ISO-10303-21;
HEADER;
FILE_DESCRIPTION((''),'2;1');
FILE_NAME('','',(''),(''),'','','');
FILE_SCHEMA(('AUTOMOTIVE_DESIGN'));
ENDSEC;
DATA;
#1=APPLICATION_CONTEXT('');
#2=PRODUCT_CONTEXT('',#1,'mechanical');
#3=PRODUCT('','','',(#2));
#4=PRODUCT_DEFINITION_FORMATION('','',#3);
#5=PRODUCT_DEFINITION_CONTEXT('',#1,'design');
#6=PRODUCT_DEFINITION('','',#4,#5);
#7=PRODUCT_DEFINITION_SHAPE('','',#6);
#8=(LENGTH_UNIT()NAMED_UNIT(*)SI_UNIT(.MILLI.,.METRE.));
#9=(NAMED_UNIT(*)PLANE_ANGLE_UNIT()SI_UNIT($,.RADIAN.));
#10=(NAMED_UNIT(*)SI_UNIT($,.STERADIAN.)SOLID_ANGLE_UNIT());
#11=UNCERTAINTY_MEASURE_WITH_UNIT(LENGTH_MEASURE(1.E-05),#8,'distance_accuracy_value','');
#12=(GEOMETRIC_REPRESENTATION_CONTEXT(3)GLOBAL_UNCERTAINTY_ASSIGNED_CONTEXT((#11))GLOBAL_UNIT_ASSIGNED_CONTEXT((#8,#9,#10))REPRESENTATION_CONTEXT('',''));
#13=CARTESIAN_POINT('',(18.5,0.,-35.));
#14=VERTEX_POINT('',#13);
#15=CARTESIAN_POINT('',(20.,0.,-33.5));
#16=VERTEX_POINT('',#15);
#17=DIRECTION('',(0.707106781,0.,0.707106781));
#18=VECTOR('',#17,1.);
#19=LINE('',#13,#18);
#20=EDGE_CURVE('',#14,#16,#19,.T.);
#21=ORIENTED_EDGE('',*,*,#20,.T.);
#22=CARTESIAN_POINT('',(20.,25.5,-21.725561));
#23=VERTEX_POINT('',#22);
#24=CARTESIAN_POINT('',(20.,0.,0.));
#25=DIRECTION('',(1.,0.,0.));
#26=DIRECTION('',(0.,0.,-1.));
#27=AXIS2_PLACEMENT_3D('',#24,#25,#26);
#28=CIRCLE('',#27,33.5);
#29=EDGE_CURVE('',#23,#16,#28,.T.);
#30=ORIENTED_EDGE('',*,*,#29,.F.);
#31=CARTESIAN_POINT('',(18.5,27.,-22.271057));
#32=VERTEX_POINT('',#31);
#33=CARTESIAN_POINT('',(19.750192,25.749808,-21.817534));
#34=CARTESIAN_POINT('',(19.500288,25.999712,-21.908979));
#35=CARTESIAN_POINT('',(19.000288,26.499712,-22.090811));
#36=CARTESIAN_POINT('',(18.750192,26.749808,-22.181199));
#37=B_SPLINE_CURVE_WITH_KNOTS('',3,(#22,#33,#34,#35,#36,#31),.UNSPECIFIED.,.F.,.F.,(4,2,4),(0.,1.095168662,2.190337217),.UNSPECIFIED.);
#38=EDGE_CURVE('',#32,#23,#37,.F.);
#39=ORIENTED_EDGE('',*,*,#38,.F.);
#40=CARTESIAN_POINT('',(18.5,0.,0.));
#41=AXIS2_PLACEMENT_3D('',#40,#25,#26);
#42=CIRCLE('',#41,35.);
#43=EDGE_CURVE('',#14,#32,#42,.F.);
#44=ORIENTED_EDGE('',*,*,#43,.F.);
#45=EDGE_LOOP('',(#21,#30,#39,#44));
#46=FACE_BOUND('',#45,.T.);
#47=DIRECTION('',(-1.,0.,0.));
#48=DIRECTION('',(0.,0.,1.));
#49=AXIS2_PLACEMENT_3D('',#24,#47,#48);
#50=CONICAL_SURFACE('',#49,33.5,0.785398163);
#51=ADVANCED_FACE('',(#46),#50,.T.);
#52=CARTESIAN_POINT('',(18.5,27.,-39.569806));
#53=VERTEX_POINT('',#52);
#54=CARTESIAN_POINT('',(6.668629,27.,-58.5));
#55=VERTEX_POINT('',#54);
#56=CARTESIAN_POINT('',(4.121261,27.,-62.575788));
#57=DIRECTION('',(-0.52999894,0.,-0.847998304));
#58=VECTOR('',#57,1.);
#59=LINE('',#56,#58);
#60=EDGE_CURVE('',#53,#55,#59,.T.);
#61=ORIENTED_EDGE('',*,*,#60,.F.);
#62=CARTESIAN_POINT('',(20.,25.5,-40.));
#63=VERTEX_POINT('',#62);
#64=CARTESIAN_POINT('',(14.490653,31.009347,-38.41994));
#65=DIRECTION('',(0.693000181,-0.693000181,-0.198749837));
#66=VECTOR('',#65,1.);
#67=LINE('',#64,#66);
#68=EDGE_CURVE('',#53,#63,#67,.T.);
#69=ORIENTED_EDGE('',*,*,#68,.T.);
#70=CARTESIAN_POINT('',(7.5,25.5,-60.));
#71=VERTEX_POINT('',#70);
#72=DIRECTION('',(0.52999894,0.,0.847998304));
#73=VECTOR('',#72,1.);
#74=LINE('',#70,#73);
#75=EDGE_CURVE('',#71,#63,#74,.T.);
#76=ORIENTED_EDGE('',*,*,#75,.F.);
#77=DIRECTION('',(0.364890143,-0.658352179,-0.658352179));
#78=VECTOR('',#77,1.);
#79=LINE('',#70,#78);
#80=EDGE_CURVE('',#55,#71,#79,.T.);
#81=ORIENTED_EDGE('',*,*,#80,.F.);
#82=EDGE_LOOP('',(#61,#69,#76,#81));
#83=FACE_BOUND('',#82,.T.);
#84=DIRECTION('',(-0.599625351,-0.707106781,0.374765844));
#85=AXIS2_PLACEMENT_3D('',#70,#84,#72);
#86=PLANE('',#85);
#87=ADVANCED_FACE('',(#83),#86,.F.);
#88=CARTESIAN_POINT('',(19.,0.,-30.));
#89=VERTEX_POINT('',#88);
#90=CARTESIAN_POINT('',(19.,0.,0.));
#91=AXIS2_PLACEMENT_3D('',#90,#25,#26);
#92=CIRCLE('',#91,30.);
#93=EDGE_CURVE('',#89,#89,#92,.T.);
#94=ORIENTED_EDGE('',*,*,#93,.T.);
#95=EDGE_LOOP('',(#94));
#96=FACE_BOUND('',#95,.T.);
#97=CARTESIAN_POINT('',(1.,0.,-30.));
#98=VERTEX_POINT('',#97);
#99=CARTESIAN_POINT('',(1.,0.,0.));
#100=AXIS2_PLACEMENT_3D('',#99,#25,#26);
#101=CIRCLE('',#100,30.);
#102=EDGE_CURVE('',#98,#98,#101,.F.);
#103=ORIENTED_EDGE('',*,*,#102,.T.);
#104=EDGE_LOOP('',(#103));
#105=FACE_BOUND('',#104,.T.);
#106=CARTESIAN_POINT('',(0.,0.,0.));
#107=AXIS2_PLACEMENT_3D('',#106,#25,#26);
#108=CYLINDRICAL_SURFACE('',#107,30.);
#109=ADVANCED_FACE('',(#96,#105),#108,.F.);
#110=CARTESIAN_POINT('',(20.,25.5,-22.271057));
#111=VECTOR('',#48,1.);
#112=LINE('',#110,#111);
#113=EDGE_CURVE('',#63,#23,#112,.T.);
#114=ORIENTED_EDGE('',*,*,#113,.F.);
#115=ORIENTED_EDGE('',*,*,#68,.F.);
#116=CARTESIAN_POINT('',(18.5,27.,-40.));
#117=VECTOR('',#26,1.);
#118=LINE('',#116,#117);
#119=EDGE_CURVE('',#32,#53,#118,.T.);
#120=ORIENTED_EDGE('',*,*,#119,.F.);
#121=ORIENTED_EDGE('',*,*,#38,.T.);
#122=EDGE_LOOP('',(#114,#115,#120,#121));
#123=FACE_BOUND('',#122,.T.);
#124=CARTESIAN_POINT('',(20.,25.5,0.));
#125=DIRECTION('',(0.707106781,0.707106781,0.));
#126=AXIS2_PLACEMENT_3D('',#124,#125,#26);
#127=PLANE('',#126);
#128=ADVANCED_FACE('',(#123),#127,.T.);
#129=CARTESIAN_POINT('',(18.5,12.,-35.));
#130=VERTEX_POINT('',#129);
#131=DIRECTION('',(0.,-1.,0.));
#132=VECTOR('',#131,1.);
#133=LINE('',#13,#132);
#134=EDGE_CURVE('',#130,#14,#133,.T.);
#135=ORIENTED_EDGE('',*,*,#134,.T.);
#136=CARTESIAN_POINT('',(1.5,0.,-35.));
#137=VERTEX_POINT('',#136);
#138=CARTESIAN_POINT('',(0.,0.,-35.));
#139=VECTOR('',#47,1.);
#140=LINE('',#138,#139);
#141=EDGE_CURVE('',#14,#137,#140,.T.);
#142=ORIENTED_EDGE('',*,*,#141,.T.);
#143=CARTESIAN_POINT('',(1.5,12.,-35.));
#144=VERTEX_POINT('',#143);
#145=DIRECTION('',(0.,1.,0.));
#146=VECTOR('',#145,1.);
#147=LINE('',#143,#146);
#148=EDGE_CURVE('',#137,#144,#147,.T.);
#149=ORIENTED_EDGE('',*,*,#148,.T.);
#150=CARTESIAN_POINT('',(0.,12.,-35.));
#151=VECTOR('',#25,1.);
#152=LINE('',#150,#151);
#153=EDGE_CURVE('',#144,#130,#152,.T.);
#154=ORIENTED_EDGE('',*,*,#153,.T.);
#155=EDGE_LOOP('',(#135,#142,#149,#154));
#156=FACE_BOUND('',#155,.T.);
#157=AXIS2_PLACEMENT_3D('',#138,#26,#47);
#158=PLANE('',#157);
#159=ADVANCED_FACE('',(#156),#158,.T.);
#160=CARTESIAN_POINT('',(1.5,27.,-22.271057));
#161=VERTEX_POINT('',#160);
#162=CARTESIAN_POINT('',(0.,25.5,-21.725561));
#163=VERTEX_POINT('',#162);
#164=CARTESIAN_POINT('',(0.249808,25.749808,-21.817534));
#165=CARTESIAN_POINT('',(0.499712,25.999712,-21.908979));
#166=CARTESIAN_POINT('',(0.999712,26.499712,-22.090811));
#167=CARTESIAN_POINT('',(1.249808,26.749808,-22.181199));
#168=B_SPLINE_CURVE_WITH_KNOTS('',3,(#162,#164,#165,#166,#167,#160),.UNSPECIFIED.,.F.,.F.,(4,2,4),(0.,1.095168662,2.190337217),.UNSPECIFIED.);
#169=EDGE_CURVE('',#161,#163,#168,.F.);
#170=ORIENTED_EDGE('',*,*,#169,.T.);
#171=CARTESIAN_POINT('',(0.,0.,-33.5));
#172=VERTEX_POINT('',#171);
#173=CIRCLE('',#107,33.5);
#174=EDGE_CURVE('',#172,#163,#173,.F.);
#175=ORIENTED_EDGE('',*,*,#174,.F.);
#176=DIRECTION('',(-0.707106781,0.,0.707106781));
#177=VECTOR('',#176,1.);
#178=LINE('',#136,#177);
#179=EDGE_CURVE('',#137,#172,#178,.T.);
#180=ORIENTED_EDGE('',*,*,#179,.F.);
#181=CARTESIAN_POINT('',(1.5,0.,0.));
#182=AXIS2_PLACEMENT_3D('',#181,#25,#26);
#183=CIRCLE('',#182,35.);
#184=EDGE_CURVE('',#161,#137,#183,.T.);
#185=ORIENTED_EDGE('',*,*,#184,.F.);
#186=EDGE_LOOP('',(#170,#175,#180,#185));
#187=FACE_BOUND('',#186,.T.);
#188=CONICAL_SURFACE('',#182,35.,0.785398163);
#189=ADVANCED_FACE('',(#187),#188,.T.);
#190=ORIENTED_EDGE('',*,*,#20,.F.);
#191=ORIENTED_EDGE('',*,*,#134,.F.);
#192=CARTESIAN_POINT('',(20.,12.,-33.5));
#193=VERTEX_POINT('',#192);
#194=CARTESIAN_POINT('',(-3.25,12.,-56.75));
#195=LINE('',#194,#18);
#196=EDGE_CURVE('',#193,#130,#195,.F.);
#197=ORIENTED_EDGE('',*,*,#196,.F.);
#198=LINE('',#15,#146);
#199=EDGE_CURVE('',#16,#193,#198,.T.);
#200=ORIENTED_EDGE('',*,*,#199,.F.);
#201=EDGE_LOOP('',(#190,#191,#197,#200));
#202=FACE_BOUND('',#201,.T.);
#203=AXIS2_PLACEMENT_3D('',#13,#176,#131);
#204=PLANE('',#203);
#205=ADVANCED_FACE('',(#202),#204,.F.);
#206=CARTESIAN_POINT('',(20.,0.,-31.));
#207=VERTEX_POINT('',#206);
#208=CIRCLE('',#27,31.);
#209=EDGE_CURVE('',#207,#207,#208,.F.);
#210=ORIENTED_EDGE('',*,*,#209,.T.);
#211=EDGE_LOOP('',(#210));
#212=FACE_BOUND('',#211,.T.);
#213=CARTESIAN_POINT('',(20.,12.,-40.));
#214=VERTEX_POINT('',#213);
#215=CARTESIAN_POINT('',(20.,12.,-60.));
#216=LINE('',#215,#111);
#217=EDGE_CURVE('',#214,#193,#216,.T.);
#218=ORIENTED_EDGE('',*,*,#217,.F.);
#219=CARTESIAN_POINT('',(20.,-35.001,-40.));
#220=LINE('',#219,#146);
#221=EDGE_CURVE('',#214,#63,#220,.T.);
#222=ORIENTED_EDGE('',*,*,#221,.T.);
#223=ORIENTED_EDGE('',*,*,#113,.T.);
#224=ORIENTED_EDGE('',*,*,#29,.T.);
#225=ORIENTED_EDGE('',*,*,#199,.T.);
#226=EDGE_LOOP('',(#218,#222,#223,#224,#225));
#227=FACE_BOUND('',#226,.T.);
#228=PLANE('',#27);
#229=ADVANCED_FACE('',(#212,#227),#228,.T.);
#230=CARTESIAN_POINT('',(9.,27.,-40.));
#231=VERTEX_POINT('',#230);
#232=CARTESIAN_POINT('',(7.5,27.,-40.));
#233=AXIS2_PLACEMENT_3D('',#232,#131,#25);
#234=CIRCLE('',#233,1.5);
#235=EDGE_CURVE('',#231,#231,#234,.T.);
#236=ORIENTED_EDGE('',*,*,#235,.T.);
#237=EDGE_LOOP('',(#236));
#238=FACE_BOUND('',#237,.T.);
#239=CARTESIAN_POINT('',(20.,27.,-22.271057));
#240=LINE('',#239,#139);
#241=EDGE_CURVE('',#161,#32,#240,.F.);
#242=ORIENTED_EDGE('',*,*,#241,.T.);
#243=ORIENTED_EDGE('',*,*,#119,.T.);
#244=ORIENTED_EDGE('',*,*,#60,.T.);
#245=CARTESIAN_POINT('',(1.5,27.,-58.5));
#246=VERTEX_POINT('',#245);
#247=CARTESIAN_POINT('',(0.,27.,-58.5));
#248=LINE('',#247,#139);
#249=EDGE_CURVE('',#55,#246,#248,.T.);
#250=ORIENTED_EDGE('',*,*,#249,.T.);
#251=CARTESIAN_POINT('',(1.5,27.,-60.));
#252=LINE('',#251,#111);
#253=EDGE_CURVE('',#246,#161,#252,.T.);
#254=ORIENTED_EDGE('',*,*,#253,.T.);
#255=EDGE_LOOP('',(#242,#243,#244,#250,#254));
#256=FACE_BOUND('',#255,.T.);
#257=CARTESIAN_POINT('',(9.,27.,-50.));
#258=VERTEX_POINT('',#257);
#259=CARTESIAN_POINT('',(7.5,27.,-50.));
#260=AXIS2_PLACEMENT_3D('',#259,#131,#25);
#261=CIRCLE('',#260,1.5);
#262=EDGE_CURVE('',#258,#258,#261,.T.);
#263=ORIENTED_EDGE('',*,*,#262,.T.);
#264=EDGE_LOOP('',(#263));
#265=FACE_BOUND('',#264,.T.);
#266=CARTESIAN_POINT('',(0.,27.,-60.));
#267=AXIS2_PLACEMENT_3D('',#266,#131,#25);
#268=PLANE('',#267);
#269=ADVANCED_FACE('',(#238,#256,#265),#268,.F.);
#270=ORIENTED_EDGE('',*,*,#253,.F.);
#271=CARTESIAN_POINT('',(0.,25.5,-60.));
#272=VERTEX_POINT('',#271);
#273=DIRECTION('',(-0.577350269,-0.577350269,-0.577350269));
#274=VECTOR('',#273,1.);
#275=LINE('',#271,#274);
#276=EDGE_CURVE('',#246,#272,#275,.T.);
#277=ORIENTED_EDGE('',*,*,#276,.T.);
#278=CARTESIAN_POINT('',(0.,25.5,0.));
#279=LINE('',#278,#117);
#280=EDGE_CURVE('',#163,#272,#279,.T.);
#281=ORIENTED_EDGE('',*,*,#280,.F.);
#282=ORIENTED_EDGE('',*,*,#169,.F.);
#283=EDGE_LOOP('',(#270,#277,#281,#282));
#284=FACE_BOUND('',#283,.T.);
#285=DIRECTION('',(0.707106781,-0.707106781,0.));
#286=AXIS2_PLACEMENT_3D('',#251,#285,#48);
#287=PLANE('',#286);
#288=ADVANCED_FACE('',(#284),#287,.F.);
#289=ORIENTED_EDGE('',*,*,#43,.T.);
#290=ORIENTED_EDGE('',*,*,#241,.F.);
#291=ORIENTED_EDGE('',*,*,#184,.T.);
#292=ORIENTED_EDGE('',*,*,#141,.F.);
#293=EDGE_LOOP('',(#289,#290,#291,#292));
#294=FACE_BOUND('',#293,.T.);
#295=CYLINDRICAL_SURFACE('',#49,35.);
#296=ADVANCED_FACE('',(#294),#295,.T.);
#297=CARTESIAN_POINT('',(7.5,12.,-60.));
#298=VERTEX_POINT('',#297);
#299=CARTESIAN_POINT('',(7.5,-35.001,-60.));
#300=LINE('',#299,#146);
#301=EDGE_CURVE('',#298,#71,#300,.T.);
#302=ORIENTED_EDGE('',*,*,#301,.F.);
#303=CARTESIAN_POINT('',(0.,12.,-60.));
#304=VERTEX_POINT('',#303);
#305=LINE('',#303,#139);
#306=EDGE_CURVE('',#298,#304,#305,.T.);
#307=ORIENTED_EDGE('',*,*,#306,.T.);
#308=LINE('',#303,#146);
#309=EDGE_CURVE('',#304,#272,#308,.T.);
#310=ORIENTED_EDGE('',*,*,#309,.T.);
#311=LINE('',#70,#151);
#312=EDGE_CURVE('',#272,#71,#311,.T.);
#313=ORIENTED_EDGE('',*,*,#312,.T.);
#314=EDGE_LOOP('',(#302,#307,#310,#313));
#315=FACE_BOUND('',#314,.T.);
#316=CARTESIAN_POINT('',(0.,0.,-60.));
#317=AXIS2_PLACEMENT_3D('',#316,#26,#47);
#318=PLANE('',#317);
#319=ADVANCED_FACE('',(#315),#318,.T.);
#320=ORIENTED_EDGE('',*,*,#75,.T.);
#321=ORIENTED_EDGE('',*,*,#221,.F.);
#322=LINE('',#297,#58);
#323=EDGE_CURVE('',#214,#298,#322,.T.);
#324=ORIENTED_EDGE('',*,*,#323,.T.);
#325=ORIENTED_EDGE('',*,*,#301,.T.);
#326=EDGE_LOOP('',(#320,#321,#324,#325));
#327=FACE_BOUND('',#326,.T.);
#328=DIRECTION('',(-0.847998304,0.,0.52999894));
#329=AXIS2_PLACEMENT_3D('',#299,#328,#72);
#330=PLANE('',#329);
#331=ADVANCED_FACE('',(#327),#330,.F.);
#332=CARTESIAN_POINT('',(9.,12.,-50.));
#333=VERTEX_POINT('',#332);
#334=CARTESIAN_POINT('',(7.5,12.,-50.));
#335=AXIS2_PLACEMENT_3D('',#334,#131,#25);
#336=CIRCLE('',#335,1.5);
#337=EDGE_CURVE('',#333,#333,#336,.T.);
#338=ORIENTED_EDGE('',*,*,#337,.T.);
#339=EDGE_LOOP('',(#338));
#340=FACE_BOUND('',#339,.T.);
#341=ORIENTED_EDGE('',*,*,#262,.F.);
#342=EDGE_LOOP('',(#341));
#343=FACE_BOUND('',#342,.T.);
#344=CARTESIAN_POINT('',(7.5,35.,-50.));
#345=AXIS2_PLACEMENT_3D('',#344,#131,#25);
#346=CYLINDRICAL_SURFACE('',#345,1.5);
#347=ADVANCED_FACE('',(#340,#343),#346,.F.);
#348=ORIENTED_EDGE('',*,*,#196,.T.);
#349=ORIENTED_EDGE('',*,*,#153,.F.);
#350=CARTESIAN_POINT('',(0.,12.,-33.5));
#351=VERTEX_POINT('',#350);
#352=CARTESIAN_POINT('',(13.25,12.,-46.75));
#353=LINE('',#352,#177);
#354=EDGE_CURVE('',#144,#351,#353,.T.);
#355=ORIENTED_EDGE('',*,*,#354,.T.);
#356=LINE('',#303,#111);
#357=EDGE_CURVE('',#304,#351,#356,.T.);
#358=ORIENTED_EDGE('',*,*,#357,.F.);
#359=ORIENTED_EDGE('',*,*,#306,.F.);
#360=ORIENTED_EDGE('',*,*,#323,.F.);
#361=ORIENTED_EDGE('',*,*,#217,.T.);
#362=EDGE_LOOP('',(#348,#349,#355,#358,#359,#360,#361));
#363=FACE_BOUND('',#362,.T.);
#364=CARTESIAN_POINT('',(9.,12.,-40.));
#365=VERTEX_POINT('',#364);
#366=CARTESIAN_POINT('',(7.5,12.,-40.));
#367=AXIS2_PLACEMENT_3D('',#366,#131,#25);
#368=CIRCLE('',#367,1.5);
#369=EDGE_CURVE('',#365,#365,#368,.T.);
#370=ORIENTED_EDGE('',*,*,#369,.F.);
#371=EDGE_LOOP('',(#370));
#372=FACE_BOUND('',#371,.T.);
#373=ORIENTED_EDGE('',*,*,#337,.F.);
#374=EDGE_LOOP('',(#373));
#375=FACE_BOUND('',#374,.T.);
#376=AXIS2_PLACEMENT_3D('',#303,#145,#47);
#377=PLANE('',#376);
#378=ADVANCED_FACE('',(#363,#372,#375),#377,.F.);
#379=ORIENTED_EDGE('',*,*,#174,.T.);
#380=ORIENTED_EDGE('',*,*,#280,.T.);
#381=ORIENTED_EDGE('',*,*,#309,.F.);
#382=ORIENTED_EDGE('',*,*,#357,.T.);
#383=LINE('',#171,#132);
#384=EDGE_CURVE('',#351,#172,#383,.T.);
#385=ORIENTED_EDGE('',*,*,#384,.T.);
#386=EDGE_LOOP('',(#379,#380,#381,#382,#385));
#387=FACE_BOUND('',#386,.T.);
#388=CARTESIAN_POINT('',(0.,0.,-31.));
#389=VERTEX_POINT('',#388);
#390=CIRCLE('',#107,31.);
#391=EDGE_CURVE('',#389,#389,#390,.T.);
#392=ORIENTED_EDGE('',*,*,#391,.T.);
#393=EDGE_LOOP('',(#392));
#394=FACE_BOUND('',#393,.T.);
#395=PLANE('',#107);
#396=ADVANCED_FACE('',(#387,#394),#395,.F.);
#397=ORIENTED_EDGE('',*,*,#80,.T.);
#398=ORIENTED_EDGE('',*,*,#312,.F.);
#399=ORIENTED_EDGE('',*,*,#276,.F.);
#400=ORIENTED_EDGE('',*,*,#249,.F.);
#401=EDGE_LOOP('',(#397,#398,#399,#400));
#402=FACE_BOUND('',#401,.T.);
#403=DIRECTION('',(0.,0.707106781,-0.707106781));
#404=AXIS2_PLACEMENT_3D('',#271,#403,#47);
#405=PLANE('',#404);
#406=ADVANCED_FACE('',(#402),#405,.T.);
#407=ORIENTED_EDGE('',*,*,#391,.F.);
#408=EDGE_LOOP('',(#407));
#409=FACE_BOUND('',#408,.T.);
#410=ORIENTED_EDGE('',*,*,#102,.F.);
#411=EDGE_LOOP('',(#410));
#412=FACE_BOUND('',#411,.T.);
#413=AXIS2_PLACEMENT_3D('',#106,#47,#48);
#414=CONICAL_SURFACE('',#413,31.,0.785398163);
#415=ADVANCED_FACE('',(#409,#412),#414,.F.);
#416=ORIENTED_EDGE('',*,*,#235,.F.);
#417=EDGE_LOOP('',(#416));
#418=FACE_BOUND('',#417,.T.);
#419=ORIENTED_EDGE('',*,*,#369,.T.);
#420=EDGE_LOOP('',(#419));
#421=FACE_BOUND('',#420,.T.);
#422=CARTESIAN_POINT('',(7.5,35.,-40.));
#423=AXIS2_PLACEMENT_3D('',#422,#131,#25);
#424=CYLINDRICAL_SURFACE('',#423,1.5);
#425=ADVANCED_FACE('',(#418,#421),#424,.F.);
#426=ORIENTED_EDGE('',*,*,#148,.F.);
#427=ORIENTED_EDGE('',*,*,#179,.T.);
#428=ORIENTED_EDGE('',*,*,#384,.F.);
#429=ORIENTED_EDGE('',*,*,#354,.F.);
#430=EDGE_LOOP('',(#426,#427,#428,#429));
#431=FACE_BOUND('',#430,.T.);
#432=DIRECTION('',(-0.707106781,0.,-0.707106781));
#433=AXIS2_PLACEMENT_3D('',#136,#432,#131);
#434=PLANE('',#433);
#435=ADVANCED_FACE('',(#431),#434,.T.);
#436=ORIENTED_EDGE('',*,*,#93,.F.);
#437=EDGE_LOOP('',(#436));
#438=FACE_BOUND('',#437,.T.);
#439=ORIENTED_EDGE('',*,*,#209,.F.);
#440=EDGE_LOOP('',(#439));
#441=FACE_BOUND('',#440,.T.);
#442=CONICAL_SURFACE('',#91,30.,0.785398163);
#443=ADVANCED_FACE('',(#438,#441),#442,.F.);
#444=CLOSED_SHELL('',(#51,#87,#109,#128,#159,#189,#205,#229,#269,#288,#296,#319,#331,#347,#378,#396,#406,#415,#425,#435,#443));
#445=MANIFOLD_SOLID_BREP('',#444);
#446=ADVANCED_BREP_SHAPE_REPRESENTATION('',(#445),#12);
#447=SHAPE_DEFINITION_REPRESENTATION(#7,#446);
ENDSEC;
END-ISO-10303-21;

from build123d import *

# Parameters (mm, degrees)
SKETCH_1_R          = 35
EXTRUDE_1_DEPTH     = 20
SKETCH_2_R          = 30
CUT_EXTRUDE_1_DEPTH = 54.38539126
SKETCH_3_W          = 20
SKETCH_3_H          = 15
EXTRUDE_2_DEPTH     = 25
EXTRUDE_3_REACH     = 82.777
SKETCH_4_W          = 20
SKETCH_4_H          = 12
SKETCH_5_R          = 30
CUT_EXTRUDE_2_DEPTH = 73.284161474
CUT_EXTRUDE_3_REACH = 90.566
SKETCH_8_R          = 1.5
CUT_EXTRUDE_4_DEPTH = 79.797208072
CHAMFER_1_SIZE      = 1
CHAMFER_2_SIZE      = 1.5


with BuildPart() as part:
    # 草图1 → 凸台-拉伸1 (new body)
    with BuildSketch(Plane(origin=(0, 0, 0), x_dir=(0, 0, -1), z_dir=(1, 0, 0))):
        Circle(SKETCH_1_R)
    extrude(amount=EXTRUDE_1_DEPTH)

    # 草图2 → 切除-拉伸1 (cut, through all)
    with BuildSketch(Plane(origin=(20, 0, 0), x_dir=(0, 0, -1), z_dir=(1, 0, 0))):
        Circle(SKETCH_2_R)
    extrude(amount=-CUT_EXTRUDE_1_DEPTH, mode=Mode.SUBTRACT)

    # 草图3 → 凸台-拉伸2 (add, symmetric)
    with BuildSketch(Plane(origin=(0, 0, -35), x_dir=(-1, 0, 0), z_dir=(0, 0, -1))):
        with Locations((-10, 19.5)):
            Rectangle(SKETCH_3_W, SKETCH_3_H)
    extrude(amount=EXTRUDE_2_DEPTH, both=True)

    # 草图4 → 凸台-拉伸3 (add, up to next)
    with BuildSketch(Plane(origin=(0, 0, -35), x_dir=(-1, 0, 0), z_dir=(0, 0, -1)), mode=Mode.PRIVATE) as extrude_3_sk1:
        with Locations((-10, 6)):
            Rectangle(SKETCH_4_W, SKETCH_4_H)
    extrude_3_tool1 = extrude(extrude_3_sk1.sketch, amount=-EXTRUDE_3_REACH, mode=Mode.PRIVATE) - part.part
    add(extrude_3_tool1.solids().sort_by_distance((10, 6, -35))[0])

    # 草图5 → 切除-拉伸2 (cut, through all)
    with BuildSketch(Plane(origin=(20, 0, 0), x_dir=(0, 0, -1), z_dir=(1, 0, 0))):
        Circle(SKETCH_5_R)
    extrude(amount=-CUT_EXTRUDE_2_DEPTH, mode=Mode.SUBTRACT)

    # 草图6 → 切除-拉伸3 (cut, up to next)
    with BuildSketch(Plane(origin=(0, 27, 0), x_dir=(1, 0, 0), z_dir=(0, 1, 0)), mode=Mode.PRIVATE) as cut_extrude_3_sk1:
        Polygon((7.5, 60), (20, 40), (20, 60), align=None)
    cut_extrude_3_tool1 = extrude(cut_extrude_3_sk1.sketch, amount=-CUT_EXTRUDE_3_REACH, mode=Mode.PRIVATE) & part.part
    add(cut_extrude_3_tool1.solids().sort_by_distance((15.833333, 27, -53.333333))[0], mode=Mode.SUBTRACT)

    # 草图8 → 切除-拉伸4 (cut, through all)
    with BuildSketch(Plane(origin=(0, 12, 0), x_dir=(-1, 0, 0), z_dir=(0, -1, 0))):
        with Locations(Location((-7.5, 40, 0), (0, 0, 180))):
            Circle(SKETCH_8_R)
        with Locations(Location((-7.5, 50, 0), (0, 0, 180))):
            Circle(SKETCH_8_R)
    extrude(amount=-CUT_EXTRUDE_4_DEPTH, mode=Mode.SUBTRACT)

    # 倒角1
    chamfer_1_edges = [part.edges().sort_by_distance(p)[0] for p in [
        (0, -12, 27.49545417),
        (20, -12, 27.49545417),
    ]]
    chamfer(chamfer_1_edges, length=CHAMFER_1_SIZE)

    # 倒角2
    chamfer_2_edges = [part.edges().sort_by_distance(p)[0] for p in [
        (0, -14.925029132, 31.658229663),
        (20, -14.925029132, 31.658229663),
        (0, 27, -41.135528726),
        (3.75, 27, -60),
        (20, 6, -35),
        (0, 6, -35),
        (20, 27, -31.135528726),
        (13.75, 27, -50),
    ]]
    chamfer(chamfer_2_edges, length=CHAMFER_2_SIZE)


solid = part.part
